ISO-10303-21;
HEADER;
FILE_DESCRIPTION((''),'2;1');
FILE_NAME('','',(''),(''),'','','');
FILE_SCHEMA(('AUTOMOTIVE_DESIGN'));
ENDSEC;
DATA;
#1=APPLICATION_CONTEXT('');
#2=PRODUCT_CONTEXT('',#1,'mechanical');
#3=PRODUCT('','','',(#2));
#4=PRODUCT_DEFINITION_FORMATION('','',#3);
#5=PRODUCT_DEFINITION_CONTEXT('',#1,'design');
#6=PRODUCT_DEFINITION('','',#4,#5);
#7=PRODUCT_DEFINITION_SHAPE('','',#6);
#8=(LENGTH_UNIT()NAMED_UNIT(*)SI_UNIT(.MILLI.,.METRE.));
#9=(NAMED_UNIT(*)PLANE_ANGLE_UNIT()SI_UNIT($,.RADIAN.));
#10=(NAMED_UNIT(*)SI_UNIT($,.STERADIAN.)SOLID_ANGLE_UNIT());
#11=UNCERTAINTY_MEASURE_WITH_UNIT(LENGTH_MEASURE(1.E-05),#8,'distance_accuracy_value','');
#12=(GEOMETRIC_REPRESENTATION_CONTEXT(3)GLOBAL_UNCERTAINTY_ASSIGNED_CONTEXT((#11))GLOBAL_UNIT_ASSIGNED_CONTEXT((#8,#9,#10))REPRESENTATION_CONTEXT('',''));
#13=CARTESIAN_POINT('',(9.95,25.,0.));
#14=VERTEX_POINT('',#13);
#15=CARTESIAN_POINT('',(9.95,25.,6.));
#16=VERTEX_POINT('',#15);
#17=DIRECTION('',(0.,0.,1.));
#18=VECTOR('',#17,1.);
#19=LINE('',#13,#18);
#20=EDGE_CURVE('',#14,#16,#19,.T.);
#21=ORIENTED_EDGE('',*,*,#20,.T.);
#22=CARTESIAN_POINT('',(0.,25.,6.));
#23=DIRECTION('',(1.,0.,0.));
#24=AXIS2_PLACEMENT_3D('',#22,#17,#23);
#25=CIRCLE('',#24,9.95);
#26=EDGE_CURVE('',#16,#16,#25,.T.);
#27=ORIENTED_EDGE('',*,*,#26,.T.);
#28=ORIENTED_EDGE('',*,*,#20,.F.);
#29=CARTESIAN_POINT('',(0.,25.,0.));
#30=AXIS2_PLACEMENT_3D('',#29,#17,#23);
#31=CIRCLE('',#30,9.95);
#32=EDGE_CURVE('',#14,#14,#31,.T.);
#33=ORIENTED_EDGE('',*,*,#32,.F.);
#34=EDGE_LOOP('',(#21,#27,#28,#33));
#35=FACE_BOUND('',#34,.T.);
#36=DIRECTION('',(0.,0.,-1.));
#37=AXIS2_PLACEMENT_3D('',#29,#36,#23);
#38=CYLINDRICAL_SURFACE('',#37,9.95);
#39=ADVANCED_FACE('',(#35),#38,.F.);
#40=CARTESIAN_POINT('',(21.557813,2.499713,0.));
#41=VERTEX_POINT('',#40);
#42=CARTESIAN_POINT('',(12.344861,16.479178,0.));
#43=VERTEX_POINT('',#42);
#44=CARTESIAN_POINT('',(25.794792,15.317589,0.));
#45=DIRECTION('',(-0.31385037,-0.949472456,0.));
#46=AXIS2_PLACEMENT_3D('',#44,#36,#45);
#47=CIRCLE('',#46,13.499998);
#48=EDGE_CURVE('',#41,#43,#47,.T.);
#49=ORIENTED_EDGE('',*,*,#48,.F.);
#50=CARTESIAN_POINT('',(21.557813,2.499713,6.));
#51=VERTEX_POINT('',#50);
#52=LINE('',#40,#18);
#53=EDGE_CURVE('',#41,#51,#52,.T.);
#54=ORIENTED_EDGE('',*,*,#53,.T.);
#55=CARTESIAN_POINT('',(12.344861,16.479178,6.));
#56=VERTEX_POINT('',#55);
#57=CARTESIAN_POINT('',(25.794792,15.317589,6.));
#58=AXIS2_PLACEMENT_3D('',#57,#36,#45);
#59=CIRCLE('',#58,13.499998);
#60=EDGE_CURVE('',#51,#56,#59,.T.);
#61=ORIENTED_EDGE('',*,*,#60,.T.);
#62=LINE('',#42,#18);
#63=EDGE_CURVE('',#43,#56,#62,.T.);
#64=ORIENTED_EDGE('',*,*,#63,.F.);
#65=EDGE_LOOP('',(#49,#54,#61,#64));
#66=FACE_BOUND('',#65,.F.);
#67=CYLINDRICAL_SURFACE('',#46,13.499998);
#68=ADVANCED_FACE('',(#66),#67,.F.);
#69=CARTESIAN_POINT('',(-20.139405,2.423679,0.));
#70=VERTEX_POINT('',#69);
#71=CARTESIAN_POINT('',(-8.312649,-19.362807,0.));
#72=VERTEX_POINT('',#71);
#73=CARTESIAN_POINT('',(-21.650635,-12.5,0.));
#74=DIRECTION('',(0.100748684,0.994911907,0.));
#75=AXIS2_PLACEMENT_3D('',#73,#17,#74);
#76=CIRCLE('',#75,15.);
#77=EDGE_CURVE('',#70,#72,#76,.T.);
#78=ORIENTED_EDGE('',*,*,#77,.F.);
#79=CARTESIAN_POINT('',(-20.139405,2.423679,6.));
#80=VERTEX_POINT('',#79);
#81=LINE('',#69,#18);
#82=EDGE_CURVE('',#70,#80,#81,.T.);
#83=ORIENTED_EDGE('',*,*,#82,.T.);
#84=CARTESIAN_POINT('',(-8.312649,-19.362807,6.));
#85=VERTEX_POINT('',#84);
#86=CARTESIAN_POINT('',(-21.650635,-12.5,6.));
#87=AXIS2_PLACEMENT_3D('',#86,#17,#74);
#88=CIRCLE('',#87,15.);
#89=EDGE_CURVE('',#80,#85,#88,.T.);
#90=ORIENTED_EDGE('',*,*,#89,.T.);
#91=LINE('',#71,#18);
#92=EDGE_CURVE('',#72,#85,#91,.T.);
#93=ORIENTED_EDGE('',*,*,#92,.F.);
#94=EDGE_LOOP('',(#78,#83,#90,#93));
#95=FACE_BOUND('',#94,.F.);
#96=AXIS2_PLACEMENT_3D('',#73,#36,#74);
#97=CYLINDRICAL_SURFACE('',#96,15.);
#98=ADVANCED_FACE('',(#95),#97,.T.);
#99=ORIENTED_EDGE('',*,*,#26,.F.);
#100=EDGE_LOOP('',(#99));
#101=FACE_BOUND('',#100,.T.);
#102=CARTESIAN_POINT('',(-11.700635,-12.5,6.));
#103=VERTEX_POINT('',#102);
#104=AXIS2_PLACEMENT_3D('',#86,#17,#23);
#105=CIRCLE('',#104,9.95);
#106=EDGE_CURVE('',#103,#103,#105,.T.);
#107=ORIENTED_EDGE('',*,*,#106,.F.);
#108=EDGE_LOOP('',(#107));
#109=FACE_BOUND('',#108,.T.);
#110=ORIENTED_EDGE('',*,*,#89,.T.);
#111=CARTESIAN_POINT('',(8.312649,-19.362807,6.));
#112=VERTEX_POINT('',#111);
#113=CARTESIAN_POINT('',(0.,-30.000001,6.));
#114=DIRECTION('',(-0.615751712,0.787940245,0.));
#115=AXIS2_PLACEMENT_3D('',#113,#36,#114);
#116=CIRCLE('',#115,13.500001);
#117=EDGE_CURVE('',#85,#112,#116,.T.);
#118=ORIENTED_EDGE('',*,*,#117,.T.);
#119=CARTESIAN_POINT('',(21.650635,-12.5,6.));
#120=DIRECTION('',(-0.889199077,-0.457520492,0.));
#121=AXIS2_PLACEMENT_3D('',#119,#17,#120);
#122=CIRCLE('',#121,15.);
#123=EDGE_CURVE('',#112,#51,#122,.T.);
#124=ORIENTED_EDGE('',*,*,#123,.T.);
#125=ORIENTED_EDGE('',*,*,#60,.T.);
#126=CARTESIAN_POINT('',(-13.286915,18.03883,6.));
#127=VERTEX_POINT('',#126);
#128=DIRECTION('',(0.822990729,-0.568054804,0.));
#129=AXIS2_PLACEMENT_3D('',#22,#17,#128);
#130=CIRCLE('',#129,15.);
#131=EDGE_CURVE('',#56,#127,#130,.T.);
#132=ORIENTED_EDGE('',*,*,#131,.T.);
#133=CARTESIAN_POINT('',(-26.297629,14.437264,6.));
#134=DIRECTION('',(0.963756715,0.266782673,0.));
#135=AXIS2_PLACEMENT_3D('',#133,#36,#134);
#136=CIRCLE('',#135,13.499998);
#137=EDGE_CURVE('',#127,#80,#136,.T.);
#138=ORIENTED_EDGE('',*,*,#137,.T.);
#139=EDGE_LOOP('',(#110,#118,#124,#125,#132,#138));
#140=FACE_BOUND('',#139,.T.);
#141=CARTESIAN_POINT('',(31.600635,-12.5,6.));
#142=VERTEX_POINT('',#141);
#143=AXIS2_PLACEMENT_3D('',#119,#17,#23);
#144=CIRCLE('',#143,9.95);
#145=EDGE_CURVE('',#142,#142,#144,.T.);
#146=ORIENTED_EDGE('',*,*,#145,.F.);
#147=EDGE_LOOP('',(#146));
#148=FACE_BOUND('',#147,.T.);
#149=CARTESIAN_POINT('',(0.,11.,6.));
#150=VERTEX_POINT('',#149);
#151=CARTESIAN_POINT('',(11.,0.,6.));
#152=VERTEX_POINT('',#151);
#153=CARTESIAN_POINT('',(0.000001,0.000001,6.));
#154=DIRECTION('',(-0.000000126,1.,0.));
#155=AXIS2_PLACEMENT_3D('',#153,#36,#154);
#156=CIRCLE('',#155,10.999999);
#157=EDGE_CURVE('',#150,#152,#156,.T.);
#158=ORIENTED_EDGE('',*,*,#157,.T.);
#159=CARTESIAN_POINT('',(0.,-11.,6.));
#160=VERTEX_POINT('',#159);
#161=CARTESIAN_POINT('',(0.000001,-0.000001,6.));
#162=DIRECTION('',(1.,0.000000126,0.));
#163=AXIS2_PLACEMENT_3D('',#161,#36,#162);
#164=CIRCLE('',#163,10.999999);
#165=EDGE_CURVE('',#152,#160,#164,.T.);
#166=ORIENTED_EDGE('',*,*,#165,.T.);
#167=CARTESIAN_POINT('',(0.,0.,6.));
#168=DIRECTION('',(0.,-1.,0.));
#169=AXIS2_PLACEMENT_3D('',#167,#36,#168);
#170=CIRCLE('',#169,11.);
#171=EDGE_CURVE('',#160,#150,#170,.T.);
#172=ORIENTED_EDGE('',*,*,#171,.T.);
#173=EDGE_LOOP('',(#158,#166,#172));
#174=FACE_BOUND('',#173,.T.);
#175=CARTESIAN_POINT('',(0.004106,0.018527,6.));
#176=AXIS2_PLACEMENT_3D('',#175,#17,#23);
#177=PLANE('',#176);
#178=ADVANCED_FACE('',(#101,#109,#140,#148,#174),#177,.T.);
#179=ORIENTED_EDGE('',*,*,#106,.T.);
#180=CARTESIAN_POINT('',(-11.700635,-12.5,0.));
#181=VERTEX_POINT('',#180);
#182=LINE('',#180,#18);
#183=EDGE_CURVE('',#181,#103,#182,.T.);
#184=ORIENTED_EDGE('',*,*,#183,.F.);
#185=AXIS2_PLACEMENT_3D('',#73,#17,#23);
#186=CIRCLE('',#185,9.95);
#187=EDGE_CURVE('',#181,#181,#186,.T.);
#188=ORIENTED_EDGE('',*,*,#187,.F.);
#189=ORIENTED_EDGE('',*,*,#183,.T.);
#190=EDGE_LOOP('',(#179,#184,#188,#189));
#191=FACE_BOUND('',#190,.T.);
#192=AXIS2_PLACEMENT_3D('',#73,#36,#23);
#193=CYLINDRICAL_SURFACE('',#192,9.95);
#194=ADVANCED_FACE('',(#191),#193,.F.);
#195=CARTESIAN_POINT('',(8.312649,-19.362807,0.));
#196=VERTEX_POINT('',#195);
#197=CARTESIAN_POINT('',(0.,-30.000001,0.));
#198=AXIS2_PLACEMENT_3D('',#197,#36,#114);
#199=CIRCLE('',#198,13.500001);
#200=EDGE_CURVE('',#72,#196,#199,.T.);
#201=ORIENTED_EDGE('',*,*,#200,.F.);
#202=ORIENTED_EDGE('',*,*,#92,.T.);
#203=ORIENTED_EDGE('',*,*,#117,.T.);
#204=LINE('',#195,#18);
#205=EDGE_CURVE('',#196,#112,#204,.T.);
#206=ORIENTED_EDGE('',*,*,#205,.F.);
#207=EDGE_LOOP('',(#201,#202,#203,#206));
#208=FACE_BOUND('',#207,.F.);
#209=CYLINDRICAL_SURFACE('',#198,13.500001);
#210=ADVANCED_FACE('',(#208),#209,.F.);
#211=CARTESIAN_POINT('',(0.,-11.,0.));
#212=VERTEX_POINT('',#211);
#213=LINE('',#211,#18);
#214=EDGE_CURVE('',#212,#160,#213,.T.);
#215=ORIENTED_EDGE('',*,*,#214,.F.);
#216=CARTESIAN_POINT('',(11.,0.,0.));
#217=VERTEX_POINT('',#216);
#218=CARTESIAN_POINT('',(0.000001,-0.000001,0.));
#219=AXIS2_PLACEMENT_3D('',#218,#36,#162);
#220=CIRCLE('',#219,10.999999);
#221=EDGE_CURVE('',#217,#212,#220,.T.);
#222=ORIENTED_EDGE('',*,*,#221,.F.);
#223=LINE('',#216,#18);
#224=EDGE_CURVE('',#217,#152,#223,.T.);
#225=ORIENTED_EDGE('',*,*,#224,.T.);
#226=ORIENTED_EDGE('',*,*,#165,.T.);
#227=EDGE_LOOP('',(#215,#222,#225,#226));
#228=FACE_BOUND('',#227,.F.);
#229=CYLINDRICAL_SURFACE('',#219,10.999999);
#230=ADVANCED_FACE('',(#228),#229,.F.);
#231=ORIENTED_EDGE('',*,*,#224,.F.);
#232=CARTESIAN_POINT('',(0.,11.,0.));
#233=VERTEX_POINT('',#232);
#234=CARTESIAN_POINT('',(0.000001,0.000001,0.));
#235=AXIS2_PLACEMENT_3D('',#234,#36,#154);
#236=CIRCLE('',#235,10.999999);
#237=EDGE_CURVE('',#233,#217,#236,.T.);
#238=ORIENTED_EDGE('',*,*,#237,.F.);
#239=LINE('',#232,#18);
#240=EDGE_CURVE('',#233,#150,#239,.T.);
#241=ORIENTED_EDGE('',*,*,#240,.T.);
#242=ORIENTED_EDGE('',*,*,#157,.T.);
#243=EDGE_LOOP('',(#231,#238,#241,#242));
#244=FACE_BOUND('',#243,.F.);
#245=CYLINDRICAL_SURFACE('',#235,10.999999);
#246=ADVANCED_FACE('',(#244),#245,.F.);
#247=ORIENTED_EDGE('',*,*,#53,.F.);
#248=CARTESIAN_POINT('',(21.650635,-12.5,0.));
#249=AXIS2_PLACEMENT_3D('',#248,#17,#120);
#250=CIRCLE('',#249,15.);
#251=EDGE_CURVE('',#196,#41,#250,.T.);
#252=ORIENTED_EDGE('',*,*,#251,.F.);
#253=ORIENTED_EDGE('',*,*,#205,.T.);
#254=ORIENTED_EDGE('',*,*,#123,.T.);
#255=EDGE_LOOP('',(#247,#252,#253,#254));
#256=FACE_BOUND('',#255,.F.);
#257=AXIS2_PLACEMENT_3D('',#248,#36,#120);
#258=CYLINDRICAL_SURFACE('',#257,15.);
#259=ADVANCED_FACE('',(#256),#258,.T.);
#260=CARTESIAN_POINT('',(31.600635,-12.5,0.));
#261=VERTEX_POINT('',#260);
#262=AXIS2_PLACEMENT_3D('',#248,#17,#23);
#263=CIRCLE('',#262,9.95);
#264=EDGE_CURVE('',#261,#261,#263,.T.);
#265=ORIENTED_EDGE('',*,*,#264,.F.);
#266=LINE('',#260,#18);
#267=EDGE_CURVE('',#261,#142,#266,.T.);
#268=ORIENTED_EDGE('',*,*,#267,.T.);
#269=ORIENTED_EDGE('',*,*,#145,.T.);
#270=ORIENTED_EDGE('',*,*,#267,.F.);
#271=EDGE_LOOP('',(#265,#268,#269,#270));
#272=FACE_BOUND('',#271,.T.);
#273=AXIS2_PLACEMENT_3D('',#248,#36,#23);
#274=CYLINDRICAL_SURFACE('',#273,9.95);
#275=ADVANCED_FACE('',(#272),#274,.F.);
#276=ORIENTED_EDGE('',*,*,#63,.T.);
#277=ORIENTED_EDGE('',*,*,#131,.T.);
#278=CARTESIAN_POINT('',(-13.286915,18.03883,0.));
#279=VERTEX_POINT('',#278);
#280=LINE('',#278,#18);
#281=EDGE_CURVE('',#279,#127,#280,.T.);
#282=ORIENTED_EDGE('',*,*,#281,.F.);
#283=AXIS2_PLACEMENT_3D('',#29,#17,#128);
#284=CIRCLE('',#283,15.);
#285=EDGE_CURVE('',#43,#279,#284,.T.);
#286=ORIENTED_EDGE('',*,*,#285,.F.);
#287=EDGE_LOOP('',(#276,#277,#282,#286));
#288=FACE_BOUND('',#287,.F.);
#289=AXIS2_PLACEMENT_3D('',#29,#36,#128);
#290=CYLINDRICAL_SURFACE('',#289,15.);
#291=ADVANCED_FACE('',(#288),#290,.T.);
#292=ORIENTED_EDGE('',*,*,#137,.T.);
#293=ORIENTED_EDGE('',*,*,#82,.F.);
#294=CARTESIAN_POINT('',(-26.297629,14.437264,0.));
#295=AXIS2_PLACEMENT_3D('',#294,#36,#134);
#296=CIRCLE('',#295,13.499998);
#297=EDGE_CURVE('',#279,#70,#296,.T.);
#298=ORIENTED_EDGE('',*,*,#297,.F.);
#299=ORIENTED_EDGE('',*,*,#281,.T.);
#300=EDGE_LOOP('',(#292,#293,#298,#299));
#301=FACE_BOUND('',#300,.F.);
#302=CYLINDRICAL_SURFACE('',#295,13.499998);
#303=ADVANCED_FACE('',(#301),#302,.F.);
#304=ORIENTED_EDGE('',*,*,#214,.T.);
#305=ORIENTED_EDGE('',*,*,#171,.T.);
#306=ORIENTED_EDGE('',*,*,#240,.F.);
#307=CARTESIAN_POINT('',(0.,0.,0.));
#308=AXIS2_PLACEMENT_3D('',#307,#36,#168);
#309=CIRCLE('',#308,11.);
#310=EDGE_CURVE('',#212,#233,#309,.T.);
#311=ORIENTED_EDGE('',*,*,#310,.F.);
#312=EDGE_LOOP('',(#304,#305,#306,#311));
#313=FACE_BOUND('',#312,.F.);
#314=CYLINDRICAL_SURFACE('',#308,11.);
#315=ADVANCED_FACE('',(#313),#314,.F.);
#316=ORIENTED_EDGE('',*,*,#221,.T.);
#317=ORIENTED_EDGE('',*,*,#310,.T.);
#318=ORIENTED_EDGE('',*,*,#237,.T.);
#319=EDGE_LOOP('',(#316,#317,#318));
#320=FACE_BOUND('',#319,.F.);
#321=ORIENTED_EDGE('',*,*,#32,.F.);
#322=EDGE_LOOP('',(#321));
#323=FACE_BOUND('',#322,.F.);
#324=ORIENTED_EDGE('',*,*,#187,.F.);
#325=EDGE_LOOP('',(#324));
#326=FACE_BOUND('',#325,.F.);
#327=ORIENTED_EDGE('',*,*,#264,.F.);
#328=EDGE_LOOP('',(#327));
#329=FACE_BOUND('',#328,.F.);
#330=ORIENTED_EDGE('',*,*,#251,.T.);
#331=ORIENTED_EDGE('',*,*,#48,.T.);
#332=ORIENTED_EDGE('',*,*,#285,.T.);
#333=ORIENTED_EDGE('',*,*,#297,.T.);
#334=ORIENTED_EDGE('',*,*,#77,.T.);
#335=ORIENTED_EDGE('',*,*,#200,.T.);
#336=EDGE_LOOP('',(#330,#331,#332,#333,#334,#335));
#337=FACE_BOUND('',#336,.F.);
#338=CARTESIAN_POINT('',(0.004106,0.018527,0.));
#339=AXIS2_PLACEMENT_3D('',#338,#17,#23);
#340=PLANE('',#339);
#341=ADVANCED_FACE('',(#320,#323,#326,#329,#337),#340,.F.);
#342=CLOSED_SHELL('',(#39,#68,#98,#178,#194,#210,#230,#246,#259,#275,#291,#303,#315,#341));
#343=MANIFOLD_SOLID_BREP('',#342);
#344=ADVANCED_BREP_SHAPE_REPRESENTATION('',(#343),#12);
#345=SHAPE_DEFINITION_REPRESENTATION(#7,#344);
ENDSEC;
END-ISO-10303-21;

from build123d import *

# Parameters (mm, degrees)
F0_R     = 9.95
F1_DEPTH = 6


with BuildPart() as f1:
    # F0 (on Top) → F1 (new body)
    with BuildSketch(Plane.XY):
        with BuildLine():
            ThreePointArc((21.557813, 2.499713), (14.522567, 7.888802), (12.344861, 16.479178))
            ThreePointArc((12.344861, 16.479178), (0.911041, 39.972308), (-13.286915, 18.03883))
            ThreePointArc((-13.286915, 18.03883), (-13.935579, 9.012352), (-20.139405, 2.423679))
            ThreePointArc((-20.139405, 2.423679), (-34.833486, -19.656287), (-8.312649, -19.362807))
            ThreePointArc((-8.312649, -19.362807), (0, -16.5), (8.312649, -19.362807))
            ThreePointArc((8.312649, -19.362807), (34.479863, -20.272445), (21.557813, 2.499713))
        make_face()
        with Locations((-21.650635, -12.5)):
            Circle(F0_R, mode=Mode.SUBTRACT)
        with Locations((21.650635, -12.5)):
            Circle(F0_R, mode=Mode.SUBTRACT)
        with BuildLine():
            ThreePointArc((0, 11), (7.778175, 7.778175), (11, 0))
            ThreePointArc((11, 0), (7.778175, -7.778175), (0, -11))
            ThreePointArc((0, -11), (-11, 0), (0, 11))
        make_face(mode=Mode.SUBTRACT)
        with Locations((0, 25)):
            Circle(F0_R, mode=Mode.SUBTRACT)
    extrude(amount=F1_DEPTH)


solid = f1.part
